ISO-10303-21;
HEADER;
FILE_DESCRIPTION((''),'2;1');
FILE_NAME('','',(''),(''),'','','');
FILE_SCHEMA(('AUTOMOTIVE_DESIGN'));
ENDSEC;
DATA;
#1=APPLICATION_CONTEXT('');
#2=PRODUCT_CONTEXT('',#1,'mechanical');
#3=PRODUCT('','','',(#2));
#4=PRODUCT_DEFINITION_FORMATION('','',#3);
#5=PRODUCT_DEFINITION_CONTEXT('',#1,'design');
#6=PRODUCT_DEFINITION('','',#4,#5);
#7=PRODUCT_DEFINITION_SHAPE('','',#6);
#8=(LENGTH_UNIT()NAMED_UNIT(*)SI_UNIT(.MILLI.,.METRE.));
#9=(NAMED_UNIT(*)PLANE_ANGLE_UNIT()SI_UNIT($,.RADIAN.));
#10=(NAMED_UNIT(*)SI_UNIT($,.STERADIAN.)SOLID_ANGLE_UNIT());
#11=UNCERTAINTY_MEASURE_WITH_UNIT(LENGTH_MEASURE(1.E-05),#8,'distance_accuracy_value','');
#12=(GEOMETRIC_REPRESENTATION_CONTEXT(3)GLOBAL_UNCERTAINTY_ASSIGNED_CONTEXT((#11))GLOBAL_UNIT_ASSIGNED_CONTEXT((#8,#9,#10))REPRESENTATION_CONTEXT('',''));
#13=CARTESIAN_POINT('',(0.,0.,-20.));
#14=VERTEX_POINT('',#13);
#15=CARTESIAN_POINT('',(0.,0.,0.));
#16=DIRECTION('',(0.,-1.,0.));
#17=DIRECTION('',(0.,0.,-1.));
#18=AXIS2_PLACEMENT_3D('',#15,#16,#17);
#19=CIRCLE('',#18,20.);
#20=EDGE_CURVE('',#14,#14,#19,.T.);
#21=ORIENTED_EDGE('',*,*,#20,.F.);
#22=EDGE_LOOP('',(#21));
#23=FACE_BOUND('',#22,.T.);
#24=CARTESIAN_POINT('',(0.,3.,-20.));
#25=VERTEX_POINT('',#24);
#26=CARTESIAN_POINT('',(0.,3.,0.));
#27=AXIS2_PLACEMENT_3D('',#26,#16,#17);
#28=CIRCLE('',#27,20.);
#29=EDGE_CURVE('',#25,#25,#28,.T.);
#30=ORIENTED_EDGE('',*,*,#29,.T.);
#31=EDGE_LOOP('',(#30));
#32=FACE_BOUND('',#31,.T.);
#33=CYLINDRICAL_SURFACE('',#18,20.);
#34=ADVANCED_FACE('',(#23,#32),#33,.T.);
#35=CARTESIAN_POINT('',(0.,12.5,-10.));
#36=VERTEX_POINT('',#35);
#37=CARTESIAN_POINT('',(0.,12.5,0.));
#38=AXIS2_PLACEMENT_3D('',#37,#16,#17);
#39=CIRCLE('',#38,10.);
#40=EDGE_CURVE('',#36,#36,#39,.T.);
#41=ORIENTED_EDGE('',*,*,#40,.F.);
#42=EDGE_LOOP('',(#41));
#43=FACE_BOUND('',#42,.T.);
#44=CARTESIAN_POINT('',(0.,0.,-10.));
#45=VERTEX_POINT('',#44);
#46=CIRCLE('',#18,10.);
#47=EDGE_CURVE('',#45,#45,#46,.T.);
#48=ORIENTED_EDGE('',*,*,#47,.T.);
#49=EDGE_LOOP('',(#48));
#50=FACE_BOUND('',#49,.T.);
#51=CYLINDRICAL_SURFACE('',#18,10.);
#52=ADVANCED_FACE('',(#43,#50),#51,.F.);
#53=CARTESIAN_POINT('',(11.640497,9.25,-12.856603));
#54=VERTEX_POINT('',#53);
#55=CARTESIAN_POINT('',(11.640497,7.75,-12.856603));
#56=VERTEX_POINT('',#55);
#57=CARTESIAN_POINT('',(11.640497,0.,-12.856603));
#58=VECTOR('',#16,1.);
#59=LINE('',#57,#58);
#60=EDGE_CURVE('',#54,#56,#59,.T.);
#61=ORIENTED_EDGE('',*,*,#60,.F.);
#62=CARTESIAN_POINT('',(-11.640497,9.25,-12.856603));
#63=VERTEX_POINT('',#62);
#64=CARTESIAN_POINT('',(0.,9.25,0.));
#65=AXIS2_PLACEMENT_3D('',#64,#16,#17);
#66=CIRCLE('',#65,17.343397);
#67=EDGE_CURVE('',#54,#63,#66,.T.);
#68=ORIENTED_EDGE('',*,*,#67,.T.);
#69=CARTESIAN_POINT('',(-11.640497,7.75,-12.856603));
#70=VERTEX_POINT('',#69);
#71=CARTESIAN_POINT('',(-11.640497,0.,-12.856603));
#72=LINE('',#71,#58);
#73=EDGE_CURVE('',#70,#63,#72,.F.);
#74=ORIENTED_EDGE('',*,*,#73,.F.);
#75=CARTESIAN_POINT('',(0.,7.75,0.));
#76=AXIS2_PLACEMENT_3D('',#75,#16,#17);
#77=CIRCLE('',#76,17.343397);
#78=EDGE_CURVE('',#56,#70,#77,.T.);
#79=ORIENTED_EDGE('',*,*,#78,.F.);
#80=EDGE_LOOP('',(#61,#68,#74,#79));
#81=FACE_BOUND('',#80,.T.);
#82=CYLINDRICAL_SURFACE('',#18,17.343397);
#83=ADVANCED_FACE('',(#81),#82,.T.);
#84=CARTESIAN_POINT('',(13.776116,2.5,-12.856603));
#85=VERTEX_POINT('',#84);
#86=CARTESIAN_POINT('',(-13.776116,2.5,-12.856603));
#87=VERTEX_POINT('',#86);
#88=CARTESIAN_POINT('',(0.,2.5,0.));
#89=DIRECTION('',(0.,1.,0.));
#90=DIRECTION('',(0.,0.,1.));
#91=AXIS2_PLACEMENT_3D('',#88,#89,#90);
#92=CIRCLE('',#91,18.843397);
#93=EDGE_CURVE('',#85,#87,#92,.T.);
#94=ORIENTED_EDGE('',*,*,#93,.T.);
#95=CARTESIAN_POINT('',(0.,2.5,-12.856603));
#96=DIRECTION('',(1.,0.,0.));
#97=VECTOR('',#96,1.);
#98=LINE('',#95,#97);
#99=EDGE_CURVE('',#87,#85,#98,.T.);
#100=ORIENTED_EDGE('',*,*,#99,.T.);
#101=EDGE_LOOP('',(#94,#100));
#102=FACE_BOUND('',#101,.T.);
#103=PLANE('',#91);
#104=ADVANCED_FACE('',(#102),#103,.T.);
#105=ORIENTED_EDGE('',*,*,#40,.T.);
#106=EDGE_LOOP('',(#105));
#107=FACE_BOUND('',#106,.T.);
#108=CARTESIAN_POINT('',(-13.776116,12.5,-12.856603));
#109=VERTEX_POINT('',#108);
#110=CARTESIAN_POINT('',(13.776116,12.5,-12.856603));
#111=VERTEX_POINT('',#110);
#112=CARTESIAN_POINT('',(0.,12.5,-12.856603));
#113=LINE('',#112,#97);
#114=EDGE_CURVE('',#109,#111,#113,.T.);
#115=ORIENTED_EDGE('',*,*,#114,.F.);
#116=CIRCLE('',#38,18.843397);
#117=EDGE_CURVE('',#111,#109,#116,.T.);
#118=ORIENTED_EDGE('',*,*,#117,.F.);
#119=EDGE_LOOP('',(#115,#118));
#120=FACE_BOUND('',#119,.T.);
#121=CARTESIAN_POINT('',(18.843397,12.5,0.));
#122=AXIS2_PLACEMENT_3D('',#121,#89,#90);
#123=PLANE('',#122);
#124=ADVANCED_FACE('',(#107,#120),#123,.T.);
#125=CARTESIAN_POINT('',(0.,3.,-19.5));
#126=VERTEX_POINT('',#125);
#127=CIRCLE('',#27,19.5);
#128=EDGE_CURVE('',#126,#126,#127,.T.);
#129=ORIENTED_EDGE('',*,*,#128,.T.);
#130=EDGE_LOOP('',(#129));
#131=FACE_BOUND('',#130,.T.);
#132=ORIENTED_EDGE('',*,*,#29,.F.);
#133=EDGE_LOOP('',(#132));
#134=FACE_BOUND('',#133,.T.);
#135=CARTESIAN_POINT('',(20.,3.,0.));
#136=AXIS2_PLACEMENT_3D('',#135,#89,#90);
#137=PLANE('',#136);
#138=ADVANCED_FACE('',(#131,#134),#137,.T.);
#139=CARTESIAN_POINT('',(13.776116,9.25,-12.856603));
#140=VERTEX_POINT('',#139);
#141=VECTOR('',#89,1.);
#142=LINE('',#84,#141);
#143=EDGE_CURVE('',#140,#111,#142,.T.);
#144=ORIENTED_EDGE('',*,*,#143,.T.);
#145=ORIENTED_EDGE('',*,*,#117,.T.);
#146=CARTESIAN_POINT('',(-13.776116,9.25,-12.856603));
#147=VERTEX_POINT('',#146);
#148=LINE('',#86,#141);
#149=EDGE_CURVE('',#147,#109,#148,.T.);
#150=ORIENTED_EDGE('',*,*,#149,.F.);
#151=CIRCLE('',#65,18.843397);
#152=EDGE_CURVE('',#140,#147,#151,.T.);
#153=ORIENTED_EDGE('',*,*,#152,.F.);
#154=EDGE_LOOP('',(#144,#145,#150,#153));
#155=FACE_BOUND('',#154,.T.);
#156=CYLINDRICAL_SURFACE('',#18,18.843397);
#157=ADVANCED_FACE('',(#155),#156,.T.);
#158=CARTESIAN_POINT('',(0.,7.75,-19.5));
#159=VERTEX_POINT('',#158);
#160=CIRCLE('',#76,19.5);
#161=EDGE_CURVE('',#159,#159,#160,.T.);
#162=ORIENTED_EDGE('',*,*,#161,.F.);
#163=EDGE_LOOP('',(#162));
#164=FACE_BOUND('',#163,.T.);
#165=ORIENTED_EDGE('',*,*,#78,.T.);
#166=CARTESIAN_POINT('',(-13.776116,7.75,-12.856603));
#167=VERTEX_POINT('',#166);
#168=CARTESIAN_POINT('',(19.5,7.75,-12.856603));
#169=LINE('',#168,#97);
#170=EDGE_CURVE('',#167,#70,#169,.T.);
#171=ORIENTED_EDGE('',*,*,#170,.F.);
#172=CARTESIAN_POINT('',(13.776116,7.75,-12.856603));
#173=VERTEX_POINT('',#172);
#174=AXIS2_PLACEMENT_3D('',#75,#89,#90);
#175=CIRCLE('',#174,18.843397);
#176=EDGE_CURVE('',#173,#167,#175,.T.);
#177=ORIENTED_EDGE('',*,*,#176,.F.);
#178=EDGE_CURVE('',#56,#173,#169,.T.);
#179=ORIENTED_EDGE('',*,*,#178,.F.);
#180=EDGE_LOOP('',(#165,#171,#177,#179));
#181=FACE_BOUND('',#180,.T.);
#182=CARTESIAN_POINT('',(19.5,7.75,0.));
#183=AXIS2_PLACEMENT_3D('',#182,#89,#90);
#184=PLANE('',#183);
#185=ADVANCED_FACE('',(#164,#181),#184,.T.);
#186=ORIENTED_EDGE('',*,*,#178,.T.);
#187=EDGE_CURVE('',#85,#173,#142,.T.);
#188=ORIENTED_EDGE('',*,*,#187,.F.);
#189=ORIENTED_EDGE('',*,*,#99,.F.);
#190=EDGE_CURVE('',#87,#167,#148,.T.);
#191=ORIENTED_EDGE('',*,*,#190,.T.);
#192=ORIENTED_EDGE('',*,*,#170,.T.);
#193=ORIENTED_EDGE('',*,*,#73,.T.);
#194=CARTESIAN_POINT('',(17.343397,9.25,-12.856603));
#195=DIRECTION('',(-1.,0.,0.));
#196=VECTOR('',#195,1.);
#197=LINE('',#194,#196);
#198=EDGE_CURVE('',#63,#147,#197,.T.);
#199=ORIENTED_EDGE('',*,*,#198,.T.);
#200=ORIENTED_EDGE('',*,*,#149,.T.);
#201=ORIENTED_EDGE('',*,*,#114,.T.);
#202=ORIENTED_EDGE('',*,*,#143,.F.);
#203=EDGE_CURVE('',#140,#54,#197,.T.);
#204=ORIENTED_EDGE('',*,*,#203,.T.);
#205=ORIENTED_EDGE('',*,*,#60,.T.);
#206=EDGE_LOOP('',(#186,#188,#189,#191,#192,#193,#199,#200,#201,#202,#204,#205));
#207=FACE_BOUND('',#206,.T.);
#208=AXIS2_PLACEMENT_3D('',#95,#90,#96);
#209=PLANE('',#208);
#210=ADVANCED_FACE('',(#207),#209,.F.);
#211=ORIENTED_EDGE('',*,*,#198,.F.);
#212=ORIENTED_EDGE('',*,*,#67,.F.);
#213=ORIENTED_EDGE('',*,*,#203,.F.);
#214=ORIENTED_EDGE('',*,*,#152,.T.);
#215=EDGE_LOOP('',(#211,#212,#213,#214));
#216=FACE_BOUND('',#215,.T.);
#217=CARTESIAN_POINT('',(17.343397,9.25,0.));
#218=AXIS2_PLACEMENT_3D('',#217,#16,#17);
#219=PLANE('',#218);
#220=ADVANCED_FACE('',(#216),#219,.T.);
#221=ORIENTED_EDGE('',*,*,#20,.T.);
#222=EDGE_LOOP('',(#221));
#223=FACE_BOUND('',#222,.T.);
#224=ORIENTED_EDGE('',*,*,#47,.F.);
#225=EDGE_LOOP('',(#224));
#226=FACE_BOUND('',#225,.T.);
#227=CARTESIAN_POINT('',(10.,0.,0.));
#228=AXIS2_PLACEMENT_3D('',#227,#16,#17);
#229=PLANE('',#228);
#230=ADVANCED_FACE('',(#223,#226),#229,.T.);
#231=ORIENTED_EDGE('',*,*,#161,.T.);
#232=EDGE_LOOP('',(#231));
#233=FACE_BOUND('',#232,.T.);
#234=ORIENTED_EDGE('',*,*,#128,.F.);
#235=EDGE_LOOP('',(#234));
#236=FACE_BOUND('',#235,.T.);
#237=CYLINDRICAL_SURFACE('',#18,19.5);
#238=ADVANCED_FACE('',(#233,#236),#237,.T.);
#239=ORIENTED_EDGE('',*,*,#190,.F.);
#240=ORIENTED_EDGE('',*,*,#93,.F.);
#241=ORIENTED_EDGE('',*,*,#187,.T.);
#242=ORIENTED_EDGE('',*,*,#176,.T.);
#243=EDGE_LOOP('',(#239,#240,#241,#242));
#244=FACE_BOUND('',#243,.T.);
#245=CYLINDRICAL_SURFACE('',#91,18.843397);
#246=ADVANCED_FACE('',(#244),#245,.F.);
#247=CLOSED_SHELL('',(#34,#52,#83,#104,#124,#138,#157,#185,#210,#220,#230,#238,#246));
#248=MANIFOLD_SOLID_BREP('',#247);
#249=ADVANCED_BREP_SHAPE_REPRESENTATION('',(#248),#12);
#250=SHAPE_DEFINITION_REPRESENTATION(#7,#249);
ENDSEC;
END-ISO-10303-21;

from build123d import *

# Parameters (mm, degrees)
CUT_EXTRUDE3_DEPTH = 10


with BuildPart() as part:
    # Sketch1 → Revolve2 (revolve)
    with BuildSketch(Plane.XY, mode=Mode.PRIVATE) as revolve2_sk:
        Polygon((10, 0), (20, 0), (20, 3), (19.5, 3), (19.5, 7.75), (17.343396893, 7.75), (17.343396893, 9.25), (18.843396893, 9.25), (18.843396893, 12.5), (10, 12.5), align=None)
    revolve(revolve2_sk.sketch.rotate(Axis((0, 0, 0), (0, 1, 0)), 90), axis=Axis((0, 0, 0), (0, 1, 0)))

    # Sketch2 → Cut-Extrude3 (cut)
    with BuildSketch(Plane(origin=(0, 12.5, 0), x_dir=(1, 0, 0), z_dir=(0, 1, 0))):
        with BuildLine():
            ThreePointArc((13.776115673, 12.856603107), (0, 18.843396893), (-13.776115673, 12.856603107))
            Line((-13.776115673, 12.856603107), (13.776115673, 12.856603107))
        make_face()
    extrude(amount=-CUT_EXTRUDE3_DEPTH, mode=Mode.SUBTRACT)


solid = part.part
